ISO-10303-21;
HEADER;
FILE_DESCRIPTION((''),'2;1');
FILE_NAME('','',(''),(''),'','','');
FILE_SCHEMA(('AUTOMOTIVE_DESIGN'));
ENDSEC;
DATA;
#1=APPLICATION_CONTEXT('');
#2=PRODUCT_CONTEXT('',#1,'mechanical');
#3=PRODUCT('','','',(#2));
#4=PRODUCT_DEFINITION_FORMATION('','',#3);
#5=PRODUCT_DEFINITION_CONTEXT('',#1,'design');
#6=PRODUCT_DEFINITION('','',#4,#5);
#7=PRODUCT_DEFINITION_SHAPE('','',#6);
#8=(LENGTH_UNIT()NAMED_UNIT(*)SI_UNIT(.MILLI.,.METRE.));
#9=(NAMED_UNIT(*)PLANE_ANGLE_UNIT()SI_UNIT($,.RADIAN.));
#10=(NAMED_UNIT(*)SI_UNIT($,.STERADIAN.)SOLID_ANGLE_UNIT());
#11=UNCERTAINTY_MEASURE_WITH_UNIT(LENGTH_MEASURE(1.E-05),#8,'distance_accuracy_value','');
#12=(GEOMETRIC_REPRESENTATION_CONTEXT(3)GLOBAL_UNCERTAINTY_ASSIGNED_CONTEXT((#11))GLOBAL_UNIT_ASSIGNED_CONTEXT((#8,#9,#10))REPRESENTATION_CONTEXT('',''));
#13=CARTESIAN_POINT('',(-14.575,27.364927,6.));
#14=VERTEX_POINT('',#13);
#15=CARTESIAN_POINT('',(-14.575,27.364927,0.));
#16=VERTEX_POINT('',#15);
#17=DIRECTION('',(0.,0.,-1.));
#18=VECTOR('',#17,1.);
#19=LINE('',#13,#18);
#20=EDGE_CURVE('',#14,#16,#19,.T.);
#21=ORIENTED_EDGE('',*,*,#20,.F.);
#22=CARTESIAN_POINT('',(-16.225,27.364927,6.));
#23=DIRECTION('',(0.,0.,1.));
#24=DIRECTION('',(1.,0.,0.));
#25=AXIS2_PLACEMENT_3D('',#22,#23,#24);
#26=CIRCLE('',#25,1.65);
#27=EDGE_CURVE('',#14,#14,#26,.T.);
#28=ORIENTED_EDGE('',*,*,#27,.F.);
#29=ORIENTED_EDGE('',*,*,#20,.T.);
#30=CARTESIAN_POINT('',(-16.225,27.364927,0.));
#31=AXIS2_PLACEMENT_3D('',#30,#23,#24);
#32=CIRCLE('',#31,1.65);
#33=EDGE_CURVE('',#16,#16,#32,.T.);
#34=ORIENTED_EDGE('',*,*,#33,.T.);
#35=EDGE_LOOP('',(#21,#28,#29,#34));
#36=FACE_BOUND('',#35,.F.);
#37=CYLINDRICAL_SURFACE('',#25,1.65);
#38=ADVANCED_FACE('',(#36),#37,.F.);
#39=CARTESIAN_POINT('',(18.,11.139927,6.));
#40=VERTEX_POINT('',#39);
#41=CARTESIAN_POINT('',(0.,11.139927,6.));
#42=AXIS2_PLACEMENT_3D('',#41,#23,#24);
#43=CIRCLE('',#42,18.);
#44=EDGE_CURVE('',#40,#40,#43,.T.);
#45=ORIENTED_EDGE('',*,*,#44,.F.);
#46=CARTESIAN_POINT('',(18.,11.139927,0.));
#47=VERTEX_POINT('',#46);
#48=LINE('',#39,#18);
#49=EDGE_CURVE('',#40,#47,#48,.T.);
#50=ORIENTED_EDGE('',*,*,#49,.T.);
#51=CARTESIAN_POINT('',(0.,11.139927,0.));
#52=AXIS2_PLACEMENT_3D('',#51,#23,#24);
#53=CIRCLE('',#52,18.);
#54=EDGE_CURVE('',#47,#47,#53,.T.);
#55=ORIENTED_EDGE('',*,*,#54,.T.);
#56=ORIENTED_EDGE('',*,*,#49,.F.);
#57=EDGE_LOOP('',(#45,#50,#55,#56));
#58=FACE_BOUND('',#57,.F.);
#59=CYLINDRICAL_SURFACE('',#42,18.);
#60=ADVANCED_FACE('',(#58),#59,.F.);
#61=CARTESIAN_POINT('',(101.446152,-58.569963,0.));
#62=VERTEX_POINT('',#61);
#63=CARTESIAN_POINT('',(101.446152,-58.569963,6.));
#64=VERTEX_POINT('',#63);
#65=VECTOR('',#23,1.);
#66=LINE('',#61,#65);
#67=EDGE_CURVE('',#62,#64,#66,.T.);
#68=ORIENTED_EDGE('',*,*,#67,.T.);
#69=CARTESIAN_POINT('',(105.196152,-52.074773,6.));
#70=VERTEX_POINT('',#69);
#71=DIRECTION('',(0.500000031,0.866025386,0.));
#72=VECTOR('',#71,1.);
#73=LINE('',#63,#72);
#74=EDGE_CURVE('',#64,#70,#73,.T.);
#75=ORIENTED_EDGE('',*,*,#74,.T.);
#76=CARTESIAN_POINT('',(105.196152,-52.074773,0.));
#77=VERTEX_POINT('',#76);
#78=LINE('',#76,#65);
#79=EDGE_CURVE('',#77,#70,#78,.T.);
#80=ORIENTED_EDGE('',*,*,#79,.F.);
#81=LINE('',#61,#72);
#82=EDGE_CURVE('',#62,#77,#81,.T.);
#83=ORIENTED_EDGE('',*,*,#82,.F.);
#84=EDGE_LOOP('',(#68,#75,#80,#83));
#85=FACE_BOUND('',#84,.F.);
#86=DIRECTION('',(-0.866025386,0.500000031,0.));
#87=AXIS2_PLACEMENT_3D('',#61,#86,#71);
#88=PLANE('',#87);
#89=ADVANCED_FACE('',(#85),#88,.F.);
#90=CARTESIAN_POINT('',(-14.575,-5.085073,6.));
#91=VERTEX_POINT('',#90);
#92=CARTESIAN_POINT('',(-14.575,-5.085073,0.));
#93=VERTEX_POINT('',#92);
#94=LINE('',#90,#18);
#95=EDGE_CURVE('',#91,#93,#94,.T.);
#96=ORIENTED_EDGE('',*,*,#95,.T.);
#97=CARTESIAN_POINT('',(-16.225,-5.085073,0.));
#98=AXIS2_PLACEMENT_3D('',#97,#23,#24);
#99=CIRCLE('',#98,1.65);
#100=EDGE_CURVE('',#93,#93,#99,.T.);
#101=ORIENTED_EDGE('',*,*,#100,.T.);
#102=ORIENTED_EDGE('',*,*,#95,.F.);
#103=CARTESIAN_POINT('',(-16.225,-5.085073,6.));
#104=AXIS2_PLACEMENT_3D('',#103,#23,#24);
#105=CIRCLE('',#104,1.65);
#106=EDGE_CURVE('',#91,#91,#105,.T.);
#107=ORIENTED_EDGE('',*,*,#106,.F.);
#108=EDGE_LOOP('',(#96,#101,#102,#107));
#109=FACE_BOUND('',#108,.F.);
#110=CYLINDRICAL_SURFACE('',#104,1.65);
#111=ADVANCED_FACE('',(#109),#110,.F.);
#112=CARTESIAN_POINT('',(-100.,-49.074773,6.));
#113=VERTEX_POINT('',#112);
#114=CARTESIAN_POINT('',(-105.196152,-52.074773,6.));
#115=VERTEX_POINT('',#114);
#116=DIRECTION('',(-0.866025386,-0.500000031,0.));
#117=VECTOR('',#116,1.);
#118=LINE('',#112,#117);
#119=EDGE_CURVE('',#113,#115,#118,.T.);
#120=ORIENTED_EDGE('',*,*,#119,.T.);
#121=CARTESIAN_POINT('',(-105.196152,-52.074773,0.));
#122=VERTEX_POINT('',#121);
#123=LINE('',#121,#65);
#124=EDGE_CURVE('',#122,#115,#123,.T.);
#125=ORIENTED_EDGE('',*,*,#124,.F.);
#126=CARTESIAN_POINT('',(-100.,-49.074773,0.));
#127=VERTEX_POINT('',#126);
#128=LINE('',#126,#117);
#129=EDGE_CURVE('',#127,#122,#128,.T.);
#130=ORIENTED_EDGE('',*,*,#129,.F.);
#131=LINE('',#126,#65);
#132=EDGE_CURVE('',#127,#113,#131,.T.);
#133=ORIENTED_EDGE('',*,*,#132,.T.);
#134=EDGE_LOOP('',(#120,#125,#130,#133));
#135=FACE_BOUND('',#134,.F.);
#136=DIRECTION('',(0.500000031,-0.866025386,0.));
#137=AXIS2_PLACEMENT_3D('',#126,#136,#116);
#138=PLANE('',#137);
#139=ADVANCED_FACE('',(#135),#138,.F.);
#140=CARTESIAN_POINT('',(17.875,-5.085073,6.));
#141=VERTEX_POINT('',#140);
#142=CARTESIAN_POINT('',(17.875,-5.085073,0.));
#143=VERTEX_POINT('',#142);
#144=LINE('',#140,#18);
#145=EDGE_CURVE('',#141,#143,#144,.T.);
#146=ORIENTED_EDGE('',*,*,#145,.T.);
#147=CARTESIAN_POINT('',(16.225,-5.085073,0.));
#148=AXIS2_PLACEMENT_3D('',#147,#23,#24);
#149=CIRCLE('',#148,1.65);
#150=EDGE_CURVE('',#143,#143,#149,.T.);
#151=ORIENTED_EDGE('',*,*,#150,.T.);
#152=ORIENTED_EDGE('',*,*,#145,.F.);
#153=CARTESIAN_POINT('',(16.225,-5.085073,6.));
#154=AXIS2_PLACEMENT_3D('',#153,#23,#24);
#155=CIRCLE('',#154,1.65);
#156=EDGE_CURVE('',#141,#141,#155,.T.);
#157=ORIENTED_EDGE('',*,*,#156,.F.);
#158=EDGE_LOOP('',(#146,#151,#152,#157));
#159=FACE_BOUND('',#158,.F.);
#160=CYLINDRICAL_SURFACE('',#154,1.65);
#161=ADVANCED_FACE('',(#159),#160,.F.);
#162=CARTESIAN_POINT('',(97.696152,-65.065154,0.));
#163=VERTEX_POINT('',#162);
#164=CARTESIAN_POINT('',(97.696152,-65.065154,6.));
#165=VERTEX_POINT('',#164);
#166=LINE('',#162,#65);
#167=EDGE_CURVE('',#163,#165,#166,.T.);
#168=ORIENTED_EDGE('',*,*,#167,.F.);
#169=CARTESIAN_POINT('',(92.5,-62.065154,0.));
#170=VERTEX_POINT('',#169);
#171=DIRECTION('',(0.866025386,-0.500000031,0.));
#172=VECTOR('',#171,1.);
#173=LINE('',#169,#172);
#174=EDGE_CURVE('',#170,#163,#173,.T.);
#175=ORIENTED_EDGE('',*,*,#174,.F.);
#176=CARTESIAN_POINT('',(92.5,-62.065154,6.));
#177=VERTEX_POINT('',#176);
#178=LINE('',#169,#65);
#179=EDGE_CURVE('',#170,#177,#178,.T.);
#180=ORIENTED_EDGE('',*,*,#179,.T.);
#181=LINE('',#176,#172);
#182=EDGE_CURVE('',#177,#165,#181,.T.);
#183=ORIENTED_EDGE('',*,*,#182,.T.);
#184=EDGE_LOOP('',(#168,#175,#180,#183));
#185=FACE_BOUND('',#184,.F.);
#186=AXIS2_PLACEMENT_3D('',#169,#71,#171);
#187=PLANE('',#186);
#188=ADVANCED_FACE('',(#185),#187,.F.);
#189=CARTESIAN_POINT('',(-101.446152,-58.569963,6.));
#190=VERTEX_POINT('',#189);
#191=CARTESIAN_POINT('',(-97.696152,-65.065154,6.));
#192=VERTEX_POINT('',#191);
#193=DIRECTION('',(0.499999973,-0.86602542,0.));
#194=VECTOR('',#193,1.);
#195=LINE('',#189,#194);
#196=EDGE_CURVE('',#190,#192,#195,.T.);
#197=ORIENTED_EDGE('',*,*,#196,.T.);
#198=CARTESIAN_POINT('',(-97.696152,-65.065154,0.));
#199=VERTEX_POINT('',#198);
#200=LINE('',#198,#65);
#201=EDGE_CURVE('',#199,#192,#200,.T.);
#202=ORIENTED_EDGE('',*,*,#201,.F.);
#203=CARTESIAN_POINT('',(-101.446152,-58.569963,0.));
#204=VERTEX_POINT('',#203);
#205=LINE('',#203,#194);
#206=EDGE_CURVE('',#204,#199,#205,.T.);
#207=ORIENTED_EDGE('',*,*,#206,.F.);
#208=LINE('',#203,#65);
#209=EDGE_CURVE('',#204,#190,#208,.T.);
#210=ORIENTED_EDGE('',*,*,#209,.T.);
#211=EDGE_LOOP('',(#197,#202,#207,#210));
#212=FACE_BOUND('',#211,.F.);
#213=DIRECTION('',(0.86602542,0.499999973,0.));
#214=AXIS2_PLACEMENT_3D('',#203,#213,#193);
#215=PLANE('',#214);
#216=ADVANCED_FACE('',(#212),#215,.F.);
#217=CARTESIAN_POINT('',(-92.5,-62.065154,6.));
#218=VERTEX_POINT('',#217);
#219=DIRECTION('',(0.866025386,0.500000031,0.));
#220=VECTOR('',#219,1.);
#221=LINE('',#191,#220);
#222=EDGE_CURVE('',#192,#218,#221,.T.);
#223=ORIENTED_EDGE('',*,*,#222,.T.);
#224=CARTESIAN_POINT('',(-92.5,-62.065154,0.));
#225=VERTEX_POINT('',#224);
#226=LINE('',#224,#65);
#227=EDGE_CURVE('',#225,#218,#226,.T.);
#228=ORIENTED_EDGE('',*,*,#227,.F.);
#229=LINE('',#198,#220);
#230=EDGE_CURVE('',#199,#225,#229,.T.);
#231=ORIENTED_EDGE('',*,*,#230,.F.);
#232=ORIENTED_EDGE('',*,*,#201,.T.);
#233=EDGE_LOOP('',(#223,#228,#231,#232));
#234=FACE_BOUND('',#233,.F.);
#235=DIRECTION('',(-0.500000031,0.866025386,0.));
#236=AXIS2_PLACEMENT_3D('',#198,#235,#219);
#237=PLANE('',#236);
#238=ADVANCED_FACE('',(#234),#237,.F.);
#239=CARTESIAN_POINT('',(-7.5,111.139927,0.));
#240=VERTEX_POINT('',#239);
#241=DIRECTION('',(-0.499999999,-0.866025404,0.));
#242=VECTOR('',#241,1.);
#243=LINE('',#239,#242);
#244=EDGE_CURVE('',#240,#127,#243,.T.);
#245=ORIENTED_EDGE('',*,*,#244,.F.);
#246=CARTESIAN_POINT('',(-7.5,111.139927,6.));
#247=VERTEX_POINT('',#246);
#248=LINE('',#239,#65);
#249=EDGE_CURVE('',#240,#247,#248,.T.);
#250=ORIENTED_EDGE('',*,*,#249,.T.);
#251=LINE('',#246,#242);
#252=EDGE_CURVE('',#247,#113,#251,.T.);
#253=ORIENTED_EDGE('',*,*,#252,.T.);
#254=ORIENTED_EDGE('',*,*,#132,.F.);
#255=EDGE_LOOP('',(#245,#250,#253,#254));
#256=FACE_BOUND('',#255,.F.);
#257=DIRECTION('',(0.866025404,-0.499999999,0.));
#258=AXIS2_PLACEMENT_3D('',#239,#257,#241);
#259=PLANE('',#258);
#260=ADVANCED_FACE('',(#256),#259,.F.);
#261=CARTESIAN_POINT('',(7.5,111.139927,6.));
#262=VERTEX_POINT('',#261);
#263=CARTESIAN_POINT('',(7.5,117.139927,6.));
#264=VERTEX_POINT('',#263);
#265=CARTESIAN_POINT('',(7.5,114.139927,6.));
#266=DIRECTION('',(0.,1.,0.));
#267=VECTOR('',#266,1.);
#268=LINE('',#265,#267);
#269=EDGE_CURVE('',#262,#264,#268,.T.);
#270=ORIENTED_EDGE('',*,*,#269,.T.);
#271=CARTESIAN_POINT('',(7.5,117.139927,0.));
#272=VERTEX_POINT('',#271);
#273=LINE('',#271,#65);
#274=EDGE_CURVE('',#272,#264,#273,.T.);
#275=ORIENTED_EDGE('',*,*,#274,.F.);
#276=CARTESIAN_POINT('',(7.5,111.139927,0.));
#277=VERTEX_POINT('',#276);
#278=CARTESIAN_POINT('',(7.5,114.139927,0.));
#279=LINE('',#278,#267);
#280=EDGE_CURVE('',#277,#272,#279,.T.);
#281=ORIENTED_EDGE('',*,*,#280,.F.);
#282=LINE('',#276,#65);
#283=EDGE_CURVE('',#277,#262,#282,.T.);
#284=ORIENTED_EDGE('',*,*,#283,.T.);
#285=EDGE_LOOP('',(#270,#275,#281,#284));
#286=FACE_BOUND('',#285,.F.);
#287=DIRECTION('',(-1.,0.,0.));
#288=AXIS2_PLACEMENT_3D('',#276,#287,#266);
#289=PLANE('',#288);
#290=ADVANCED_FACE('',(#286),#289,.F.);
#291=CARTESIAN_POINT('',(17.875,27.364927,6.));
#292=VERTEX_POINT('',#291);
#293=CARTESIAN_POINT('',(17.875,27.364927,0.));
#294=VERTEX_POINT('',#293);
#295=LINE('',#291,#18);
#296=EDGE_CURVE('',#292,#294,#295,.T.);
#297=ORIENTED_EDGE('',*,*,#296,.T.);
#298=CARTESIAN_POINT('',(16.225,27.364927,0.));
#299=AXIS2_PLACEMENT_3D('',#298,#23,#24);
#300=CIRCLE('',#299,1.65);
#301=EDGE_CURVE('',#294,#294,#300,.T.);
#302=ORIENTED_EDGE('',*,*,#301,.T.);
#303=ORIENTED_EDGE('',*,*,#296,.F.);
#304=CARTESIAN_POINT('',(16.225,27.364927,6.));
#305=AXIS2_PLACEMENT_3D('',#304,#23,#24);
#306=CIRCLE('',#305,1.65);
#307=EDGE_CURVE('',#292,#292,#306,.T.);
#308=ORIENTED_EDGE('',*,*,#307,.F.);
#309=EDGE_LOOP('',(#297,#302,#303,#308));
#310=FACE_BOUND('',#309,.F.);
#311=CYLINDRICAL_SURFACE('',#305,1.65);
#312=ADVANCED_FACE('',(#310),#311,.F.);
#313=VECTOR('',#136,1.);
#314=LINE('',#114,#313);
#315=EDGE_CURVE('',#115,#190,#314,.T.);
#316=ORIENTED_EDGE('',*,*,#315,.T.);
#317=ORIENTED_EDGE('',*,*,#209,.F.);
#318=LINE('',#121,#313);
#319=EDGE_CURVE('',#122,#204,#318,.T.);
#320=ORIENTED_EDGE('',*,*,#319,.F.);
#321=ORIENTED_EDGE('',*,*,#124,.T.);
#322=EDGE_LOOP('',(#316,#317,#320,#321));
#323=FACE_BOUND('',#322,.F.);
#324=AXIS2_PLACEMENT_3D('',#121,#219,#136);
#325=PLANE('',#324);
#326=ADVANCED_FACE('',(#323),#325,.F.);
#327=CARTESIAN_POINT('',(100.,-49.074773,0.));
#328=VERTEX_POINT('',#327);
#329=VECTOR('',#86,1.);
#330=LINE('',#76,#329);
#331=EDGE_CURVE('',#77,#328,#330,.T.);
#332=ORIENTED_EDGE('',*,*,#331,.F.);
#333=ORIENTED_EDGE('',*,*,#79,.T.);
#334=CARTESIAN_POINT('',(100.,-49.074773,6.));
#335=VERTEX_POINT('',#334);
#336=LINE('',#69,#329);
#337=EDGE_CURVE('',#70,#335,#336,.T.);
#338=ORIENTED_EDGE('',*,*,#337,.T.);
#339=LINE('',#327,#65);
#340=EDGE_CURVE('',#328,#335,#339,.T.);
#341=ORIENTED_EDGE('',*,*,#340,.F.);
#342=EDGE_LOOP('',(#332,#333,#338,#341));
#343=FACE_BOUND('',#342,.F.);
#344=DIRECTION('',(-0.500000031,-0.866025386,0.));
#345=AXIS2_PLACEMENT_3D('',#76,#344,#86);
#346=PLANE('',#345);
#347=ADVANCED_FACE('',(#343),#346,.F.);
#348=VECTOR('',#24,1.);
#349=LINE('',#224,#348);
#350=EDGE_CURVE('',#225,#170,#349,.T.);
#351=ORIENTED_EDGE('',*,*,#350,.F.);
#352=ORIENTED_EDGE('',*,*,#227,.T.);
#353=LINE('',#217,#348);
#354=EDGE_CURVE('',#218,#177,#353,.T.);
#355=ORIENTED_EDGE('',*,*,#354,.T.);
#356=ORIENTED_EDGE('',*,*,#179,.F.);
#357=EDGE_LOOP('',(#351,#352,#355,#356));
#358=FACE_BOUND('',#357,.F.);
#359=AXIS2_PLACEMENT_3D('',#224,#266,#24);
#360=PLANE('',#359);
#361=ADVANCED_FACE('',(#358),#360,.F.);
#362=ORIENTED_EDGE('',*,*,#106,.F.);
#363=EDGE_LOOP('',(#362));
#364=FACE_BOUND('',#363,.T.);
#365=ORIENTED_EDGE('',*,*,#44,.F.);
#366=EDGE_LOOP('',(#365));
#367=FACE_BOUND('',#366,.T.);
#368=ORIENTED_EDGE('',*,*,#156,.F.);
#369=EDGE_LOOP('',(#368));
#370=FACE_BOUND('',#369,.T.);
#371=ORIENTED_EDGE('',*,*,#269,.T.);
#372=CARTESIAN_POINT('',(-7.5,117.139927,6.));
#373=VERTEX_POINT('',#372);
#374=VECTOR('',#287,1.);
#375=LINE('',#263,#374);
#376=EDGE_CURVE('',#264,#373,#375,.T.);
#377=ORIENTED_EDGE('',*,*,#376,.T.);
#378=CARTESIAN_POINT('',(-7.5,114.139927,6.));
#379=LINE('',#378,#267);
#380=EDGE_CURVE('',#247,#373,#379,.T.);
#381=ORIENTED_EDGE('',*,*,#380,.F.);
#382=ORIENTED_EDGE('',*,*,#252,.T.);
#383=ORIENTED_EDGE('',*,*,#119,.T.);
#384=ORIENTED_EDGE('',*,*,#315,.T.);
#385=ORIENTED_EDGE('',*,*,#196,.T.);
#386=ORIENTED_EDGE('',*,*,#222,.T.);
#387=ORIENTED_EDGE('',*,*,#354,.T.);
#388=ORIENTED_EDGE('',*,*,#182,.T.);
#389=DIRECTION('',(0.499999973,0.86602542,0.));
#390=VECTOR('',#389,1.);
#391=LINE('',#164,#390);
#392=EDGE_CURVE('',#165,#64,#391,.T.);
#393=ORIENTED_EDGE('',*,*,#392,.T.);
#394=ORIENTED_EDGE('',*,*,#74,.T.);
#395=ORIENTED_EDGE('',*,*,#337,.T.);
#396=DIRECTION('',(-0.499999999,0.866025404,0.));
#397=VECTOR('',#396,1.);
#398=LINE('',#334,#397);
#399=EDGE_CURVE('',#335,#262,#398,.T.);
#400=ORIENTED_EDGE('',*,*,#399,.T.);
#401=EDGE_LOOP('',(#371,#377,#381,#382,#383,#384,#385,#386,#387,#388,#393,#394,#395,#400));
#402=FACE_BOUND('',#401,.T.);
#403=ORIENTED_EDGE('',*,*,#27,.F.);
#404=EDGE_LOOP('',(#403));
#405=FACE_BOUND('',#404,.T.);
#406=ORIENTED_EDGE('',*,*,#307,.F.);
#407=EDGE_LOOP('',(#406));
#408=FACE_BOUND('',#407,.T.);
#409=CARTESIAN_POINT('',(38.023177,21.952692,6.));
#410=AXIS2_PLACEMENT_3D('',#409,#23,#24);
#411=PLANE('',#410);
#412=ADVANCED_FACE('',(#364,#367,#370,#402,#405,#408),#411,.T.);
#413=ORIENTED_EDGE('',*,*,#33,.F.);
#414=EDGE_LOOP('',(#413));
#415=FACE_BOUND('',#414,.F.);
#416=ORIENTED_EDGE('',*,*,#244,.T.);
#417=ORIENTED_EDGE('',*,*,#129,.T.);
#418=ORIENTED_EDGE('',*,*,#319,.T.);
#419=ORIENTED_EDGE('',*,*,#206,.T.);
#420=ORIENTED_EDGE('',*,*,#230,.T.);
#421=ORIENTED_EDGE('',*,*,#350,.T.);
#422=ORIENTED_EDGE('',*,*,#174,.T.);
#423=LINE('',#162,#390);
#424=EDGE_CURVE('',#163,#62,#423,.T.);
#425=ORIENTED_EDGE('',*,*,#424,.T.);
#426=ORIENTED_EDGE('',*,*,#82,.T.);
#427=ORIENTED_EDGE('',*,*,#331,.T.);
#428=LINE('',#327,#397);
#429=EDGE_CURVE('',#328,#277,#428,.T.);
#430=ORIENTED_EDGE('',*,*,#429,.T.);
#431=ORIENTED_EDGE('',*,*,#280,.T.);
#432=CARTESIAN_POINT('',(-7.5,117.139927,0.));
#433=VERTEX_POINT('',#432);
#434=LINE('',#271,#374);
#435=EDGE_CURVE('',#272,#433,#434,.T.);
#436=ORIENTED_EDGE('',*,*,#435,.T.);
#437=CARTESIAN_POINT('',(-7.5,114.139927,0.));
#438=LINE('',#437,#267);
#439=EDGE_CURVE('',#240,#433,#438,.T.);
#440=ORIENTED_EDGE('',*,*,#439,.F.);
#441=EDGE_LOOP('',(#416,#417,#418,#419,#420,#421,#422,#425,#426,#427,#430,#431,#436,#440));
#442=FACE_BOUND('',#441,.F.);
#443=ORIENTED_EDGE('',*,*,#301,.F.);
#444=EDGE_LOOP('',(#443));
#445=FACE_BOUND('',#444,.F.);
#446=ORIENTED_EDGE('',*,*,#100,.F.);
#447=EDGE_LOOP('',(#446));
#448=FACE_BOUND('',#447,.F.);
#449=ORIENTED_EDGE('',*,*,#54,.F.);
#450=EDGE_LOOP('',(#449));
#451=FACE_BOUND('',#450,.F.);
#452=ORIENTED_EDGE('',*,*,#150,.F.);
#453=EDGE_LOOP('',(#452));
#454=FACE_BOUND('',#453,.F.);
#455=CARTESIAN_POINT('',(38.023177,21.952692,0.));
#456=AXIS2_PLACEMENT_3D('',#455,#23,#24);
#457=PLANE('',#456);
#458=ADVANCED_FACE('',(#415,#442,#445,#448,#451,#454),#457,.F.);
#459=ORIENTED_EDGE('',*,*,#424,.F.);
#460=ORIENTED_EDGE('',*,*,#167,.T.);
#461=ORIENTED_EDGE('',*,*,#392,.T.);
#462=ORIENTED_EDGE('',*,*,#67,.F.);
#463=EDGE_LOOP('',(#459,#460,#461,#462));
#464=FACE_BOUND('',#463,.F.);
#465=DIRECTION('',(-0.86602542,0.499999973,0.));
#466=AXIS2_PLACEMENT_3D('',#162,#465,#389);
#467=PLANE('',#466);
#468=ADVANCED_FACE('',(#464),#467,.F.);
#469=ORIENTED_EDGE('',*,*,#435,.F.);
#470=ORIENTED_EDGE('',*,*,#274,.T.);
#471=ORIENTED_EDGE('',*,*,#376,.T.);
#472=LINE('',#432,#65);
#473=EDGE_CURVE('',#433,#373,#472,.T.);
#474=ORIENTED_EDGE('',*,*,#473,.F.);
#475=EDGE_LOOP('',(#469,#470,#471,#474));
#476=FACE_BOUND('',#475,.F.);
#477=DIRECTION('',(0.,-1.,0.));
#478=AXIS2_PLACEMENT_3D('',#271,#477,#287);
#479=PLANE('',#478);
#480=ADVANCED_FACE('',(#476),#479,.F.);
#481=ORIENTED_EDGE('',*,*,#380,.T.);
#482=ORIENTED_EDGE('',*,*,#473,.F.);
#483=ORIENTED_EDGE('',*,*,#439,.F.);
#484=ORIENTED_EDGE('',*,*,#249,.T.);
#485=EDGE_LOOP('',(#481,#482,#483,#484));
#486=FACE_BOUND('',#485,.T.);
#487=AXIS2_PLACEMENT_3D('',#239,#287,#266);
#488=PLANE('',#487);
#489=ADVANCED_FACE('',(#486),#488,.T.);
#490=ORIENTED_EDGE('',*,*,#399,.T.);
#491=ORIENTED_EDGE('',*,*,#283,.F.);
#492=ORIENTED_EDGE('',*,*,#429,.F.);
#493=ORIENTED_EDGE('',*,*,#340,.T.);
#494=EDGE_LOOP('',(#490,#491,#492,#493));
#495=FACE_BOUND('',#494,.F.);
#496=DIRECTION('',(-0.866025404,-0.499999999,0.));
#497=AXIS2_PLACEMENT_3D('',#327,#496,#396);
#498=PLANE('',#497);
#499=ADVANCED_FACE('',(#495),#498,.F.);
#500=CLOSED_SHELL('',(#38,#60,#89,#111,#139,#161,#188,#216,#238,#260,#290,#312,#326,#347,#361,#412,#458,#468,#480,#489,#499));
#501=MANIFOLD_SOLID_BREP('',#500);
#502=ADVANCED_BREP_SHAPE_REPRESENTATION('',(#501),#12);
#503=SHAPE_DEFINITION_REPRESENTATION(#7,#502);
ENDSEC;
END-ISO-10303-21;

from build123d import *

# Parameters (mm, degrees)
F0_W     = 7.5
F0_H     = 6
F1_DEPTH = 6
F2_R     = 18
F2_R_2   = 1.65
F3_DEPTH = 6.001


with BuildPart() as f1:
    # F0 (on Top) → F1 (new body)
    with BuildSketch(Plane.XY):
        Polygon((0, 111.139927), (0, 0), (96.25, -55.569963), (100, -49.074773), (7.5, 111.139927), align=None)
        Polygon((-96.25, -55.569963), (0, 0), (0, 111.139927), (-7.5, 111.139927), (-100, -49.074773), align=None)
        with Locations((3.75, 114.139927)):
            Rectangle(F0_W, F0_H)
        with Locations((-3.75, 114.139927)):
            Rectangle(F0_W, F0_H)
        Polygon((96.25, -55.569963), (0, 0), (-96.25, -55.569963), (-92.5, -62.065154), (92.5, -62.065154), align=None)
        Polygon((-101.446152, -58.569963), (-96.25, -55.569963), (-100, -49.074773), (-105.196152, -52.074773), align=None)
        Polygon((-92.5, -62.065154), (-96.25, -55.569963), (-101.446152, -58.569963), (-97.696152, -65.065154), align=None)
        Polygon((100, -49.074773), (96.25, -55.569963), (101.446152, -58.569963), (105.196152, -52.074773), align=None)
        Polygon((101.446152, -58.569963), (96.25, -55.569963), (92.5, -62.065154), (97.696152, -65.065154), align=None)
    extrude(amount=F1_DEPTH)

    # F2 (on face) → F3 (cut, through all)
    with BuildSketch(Plane.XY.offset(6)):
        with Locations((0, 11.139927)):
            Circle(F2_R)
        with Locations((-16.225, 27.364927)):
            Circle(F2_R_2)
        with Locations((16.225, 27.364927)):
            Circle(F2_R_2)
        with Locations((16.225, -5.085073)):
            Circle(F2_R_2)
        with Locations((-16.225, -5.085073)):
            Circle(F2_R_2)
    extrude(amount=-F3_DEPTH, mode=Mode.SUBTRACT)


solid = f1.part
